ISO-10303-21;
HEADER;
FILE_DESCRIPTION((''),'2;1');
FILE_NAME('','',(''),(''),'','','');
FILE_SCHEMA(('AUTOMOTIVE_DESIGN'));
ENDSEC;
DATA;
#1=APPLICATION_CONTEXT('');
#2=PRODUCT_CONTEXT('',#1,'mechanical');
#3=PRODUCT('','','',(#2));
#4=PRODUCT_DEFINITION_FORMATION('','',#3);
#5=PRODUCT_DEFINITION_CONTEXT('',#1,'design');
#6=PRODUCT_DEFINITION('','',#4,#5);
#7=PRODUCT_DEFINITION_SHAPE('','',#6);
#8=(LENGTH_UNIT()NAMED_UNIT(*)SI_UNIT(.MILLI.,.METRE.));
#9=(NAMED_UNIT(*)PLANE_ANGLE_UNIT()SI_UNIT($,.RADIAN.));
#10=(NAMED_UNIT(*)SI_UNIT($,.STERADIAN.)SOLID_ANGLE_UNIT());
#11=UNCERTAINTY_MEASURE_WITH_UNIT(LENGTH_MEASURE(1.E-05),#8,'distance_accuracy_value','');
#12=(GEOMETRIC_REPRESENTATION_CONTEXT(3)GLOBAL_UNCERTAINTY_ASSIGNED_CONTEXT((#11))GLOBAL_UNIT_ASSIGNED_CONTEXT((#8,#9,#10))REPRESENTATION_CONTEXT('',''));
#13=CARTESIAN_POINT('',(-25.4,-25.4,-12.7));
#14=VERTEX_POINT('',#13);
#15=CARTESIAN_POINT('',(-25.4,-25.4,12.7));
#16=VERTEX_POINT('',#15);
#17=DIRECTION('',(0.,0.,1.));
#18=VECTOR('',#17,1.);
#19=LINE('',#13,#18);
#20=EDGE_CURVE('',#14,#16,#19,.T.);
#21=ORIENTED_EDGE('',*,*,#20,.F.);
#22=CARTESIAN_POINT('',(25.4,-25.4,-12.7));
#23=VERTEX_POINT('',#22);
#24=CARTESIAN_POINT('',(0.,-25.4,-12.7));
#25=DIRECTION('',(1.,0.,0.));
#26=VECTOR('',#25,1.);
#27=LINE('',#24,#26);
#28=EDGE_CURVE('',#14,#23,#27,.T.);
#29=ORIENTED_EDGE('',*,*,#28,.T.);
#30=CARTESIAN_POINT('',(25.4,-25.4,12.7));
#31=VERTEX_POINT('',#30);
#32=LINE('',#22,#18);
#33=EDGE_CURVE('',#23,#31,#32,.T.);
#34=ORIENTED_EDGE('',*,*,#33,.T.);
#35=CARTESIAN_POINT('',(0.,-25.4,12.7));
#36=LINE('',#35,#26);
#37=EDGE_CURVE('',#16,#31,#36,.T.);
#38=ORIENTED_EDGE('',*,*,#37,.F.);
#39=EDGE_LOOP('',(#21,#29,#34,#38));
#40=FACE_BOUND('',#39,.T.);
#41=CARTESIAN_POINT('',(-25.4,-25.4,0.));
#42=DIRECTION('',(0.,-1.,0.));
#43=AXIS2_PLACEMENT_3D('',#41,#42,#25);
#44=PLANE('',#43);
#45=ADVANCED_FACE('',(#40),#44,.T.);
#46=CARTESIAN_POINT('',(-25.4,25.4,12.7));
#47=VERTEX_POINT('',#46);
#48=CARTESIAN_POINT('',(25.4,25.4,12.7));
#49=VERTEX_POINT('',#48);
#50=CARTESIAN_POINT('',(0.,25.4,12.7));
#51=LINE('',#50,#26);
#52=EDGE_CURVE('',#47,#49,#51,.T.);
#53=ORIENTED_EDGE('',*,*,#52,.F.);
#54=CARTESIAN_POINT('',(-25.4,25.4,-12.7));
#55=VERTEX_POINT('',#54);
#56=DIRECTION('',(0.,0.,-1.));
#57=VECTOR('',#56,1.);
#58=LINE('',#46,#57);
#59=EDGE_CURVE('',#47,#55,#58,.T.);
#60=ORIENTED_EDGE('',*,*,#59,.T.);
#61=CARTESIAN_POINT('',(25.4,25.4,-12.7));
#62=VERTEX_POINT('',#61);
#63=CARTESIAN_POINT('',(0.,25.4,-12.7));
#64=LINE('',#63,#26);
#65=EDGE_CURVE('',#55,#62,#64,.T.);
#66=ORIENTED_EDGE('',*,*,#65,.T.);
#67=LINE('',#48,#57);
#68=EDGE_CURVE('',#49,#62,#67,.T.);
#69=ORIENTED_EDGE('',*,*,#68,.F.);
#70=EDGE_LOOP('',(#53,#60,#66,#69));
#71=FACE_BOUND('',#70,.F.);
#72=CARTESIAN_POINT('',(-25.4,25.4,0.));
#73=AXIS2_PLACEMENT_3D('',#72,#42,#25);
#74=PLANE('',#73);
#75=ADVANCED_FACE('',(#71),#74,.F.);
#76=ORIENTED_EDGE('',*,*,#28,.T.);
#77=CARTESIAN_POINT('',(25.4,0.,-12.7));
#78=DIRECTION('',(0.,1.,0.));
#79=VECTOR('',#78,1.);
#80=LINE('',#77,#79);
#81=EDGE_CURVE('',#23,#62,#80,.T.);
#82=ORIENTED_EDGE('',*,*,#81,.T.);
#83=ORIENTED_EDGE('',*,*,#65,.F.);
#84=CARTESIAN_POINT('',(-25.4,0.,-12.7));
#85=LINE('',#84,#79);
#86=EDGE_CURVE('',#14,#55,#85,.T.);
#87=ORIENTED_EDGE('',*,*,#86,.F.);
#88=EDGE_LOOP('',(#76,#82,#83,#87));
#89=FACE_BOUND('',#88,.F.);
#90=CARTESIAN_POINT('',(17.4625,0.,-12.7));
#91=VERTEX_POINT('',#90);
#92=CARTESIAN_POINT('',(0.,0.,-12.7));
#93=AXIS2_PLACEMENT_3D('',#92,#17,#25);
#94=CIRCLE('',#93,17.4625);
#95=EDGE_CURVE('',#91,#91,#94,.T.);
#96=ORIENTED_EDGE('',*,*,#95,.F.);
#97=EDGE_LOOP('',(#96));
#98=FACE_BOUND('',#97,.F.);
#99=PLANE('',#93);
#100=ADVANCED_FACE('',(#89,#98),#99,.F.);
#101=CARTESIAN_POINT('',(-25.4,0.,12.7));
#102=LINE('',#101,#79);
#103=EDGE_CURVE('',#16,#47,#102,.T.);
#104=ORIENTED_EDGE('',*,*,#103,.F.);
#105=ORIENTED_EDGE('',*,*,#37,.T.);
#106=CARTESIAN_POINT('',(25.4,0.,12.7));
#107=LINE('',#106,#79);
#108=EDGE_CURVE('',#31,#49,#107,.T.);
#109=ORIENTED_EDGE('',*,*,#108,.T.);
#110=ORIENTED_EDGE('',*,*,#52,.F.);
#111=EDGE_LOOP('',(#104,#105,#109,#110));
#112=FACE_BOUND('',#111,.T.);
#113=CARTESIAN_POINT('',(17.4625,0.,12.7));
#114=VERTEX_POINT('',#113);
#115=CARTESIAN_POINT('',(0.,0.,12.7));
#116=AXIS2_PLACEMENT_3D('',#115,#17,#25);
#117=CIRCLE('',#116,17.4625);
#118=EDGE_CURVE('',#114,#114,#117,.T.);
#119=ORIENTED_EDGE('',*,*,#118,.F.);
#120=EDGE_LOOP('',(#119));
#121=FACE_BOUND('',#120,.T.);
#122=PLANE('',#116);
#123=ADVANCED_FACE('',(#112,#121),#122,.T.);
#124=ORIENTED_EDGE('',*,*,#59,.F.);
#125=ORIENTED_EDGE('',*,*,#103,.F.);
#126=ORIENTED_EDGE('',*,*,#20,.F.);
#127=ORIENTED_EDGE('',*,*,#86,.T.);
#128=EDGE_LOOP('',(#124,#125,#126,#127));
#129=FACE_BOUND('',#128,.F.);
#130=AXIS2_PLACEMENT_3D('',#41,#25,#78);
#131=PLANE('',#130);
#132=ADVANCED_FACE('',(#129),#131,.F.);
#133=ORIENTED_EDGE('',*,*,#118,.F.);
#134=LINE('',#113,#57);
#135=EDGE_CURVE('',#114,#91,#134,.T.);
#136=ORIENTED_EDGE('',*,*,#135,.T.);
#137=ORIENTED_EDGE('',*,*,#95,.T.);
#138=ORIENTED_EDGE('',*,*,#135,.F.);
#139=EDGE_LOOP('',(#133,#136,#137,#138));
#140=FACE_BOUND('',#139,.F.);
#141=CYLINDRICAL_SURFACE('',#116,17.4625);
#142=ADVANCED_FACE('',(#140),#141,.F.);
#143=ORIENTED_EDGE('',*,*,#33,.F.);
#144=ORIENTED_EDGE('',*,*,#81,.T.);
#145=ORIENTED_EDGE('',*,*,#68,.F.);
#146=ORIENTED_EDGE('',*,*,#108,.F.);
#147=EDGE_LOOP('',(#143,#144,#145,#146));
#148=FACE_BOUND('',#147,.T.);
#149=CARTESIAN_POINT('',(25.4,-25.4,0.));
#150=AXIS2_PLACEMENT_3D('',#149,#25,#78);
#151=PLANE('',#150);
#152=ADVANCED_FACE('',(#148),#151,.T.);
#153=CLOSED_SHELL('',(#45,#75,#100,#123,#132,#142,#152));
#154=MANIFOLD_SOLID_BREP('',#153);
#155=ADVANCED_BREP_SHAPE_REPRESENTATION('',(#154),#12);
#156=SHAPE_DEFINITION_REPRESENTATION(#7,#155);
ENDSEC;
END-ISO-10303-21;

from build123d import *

# Parameters (mm, degrees)
F0_W     = 50.8
F0_H     = 50.8
F1_DEPTH = 12.7
F2_W     = 50.8
F2_H     = 50.8
F2_R     = 17.4625
F3_DEPTH = 25.4


with BuildPart() as f1:
    # F0 (on Top) → F1 (new body, symmetric)
    with BuildSketch(Plane.XY):
        Rectangle(F0_W, F0_H)
    extrude(amount=F1_DEPTH, both=True)

    # F2 (on face) → F3 (intersect, through all)
    with BuildSketch(Plane.XY.offset(12.7)):
        Rectangle(F2_W, F2_H)
        Circle(F2_R, mode=Mode.SUBTRACT)
    extrude(amount=-F3_DEPTH, mode=Mode.INTERSECT)


solid = f1.part
